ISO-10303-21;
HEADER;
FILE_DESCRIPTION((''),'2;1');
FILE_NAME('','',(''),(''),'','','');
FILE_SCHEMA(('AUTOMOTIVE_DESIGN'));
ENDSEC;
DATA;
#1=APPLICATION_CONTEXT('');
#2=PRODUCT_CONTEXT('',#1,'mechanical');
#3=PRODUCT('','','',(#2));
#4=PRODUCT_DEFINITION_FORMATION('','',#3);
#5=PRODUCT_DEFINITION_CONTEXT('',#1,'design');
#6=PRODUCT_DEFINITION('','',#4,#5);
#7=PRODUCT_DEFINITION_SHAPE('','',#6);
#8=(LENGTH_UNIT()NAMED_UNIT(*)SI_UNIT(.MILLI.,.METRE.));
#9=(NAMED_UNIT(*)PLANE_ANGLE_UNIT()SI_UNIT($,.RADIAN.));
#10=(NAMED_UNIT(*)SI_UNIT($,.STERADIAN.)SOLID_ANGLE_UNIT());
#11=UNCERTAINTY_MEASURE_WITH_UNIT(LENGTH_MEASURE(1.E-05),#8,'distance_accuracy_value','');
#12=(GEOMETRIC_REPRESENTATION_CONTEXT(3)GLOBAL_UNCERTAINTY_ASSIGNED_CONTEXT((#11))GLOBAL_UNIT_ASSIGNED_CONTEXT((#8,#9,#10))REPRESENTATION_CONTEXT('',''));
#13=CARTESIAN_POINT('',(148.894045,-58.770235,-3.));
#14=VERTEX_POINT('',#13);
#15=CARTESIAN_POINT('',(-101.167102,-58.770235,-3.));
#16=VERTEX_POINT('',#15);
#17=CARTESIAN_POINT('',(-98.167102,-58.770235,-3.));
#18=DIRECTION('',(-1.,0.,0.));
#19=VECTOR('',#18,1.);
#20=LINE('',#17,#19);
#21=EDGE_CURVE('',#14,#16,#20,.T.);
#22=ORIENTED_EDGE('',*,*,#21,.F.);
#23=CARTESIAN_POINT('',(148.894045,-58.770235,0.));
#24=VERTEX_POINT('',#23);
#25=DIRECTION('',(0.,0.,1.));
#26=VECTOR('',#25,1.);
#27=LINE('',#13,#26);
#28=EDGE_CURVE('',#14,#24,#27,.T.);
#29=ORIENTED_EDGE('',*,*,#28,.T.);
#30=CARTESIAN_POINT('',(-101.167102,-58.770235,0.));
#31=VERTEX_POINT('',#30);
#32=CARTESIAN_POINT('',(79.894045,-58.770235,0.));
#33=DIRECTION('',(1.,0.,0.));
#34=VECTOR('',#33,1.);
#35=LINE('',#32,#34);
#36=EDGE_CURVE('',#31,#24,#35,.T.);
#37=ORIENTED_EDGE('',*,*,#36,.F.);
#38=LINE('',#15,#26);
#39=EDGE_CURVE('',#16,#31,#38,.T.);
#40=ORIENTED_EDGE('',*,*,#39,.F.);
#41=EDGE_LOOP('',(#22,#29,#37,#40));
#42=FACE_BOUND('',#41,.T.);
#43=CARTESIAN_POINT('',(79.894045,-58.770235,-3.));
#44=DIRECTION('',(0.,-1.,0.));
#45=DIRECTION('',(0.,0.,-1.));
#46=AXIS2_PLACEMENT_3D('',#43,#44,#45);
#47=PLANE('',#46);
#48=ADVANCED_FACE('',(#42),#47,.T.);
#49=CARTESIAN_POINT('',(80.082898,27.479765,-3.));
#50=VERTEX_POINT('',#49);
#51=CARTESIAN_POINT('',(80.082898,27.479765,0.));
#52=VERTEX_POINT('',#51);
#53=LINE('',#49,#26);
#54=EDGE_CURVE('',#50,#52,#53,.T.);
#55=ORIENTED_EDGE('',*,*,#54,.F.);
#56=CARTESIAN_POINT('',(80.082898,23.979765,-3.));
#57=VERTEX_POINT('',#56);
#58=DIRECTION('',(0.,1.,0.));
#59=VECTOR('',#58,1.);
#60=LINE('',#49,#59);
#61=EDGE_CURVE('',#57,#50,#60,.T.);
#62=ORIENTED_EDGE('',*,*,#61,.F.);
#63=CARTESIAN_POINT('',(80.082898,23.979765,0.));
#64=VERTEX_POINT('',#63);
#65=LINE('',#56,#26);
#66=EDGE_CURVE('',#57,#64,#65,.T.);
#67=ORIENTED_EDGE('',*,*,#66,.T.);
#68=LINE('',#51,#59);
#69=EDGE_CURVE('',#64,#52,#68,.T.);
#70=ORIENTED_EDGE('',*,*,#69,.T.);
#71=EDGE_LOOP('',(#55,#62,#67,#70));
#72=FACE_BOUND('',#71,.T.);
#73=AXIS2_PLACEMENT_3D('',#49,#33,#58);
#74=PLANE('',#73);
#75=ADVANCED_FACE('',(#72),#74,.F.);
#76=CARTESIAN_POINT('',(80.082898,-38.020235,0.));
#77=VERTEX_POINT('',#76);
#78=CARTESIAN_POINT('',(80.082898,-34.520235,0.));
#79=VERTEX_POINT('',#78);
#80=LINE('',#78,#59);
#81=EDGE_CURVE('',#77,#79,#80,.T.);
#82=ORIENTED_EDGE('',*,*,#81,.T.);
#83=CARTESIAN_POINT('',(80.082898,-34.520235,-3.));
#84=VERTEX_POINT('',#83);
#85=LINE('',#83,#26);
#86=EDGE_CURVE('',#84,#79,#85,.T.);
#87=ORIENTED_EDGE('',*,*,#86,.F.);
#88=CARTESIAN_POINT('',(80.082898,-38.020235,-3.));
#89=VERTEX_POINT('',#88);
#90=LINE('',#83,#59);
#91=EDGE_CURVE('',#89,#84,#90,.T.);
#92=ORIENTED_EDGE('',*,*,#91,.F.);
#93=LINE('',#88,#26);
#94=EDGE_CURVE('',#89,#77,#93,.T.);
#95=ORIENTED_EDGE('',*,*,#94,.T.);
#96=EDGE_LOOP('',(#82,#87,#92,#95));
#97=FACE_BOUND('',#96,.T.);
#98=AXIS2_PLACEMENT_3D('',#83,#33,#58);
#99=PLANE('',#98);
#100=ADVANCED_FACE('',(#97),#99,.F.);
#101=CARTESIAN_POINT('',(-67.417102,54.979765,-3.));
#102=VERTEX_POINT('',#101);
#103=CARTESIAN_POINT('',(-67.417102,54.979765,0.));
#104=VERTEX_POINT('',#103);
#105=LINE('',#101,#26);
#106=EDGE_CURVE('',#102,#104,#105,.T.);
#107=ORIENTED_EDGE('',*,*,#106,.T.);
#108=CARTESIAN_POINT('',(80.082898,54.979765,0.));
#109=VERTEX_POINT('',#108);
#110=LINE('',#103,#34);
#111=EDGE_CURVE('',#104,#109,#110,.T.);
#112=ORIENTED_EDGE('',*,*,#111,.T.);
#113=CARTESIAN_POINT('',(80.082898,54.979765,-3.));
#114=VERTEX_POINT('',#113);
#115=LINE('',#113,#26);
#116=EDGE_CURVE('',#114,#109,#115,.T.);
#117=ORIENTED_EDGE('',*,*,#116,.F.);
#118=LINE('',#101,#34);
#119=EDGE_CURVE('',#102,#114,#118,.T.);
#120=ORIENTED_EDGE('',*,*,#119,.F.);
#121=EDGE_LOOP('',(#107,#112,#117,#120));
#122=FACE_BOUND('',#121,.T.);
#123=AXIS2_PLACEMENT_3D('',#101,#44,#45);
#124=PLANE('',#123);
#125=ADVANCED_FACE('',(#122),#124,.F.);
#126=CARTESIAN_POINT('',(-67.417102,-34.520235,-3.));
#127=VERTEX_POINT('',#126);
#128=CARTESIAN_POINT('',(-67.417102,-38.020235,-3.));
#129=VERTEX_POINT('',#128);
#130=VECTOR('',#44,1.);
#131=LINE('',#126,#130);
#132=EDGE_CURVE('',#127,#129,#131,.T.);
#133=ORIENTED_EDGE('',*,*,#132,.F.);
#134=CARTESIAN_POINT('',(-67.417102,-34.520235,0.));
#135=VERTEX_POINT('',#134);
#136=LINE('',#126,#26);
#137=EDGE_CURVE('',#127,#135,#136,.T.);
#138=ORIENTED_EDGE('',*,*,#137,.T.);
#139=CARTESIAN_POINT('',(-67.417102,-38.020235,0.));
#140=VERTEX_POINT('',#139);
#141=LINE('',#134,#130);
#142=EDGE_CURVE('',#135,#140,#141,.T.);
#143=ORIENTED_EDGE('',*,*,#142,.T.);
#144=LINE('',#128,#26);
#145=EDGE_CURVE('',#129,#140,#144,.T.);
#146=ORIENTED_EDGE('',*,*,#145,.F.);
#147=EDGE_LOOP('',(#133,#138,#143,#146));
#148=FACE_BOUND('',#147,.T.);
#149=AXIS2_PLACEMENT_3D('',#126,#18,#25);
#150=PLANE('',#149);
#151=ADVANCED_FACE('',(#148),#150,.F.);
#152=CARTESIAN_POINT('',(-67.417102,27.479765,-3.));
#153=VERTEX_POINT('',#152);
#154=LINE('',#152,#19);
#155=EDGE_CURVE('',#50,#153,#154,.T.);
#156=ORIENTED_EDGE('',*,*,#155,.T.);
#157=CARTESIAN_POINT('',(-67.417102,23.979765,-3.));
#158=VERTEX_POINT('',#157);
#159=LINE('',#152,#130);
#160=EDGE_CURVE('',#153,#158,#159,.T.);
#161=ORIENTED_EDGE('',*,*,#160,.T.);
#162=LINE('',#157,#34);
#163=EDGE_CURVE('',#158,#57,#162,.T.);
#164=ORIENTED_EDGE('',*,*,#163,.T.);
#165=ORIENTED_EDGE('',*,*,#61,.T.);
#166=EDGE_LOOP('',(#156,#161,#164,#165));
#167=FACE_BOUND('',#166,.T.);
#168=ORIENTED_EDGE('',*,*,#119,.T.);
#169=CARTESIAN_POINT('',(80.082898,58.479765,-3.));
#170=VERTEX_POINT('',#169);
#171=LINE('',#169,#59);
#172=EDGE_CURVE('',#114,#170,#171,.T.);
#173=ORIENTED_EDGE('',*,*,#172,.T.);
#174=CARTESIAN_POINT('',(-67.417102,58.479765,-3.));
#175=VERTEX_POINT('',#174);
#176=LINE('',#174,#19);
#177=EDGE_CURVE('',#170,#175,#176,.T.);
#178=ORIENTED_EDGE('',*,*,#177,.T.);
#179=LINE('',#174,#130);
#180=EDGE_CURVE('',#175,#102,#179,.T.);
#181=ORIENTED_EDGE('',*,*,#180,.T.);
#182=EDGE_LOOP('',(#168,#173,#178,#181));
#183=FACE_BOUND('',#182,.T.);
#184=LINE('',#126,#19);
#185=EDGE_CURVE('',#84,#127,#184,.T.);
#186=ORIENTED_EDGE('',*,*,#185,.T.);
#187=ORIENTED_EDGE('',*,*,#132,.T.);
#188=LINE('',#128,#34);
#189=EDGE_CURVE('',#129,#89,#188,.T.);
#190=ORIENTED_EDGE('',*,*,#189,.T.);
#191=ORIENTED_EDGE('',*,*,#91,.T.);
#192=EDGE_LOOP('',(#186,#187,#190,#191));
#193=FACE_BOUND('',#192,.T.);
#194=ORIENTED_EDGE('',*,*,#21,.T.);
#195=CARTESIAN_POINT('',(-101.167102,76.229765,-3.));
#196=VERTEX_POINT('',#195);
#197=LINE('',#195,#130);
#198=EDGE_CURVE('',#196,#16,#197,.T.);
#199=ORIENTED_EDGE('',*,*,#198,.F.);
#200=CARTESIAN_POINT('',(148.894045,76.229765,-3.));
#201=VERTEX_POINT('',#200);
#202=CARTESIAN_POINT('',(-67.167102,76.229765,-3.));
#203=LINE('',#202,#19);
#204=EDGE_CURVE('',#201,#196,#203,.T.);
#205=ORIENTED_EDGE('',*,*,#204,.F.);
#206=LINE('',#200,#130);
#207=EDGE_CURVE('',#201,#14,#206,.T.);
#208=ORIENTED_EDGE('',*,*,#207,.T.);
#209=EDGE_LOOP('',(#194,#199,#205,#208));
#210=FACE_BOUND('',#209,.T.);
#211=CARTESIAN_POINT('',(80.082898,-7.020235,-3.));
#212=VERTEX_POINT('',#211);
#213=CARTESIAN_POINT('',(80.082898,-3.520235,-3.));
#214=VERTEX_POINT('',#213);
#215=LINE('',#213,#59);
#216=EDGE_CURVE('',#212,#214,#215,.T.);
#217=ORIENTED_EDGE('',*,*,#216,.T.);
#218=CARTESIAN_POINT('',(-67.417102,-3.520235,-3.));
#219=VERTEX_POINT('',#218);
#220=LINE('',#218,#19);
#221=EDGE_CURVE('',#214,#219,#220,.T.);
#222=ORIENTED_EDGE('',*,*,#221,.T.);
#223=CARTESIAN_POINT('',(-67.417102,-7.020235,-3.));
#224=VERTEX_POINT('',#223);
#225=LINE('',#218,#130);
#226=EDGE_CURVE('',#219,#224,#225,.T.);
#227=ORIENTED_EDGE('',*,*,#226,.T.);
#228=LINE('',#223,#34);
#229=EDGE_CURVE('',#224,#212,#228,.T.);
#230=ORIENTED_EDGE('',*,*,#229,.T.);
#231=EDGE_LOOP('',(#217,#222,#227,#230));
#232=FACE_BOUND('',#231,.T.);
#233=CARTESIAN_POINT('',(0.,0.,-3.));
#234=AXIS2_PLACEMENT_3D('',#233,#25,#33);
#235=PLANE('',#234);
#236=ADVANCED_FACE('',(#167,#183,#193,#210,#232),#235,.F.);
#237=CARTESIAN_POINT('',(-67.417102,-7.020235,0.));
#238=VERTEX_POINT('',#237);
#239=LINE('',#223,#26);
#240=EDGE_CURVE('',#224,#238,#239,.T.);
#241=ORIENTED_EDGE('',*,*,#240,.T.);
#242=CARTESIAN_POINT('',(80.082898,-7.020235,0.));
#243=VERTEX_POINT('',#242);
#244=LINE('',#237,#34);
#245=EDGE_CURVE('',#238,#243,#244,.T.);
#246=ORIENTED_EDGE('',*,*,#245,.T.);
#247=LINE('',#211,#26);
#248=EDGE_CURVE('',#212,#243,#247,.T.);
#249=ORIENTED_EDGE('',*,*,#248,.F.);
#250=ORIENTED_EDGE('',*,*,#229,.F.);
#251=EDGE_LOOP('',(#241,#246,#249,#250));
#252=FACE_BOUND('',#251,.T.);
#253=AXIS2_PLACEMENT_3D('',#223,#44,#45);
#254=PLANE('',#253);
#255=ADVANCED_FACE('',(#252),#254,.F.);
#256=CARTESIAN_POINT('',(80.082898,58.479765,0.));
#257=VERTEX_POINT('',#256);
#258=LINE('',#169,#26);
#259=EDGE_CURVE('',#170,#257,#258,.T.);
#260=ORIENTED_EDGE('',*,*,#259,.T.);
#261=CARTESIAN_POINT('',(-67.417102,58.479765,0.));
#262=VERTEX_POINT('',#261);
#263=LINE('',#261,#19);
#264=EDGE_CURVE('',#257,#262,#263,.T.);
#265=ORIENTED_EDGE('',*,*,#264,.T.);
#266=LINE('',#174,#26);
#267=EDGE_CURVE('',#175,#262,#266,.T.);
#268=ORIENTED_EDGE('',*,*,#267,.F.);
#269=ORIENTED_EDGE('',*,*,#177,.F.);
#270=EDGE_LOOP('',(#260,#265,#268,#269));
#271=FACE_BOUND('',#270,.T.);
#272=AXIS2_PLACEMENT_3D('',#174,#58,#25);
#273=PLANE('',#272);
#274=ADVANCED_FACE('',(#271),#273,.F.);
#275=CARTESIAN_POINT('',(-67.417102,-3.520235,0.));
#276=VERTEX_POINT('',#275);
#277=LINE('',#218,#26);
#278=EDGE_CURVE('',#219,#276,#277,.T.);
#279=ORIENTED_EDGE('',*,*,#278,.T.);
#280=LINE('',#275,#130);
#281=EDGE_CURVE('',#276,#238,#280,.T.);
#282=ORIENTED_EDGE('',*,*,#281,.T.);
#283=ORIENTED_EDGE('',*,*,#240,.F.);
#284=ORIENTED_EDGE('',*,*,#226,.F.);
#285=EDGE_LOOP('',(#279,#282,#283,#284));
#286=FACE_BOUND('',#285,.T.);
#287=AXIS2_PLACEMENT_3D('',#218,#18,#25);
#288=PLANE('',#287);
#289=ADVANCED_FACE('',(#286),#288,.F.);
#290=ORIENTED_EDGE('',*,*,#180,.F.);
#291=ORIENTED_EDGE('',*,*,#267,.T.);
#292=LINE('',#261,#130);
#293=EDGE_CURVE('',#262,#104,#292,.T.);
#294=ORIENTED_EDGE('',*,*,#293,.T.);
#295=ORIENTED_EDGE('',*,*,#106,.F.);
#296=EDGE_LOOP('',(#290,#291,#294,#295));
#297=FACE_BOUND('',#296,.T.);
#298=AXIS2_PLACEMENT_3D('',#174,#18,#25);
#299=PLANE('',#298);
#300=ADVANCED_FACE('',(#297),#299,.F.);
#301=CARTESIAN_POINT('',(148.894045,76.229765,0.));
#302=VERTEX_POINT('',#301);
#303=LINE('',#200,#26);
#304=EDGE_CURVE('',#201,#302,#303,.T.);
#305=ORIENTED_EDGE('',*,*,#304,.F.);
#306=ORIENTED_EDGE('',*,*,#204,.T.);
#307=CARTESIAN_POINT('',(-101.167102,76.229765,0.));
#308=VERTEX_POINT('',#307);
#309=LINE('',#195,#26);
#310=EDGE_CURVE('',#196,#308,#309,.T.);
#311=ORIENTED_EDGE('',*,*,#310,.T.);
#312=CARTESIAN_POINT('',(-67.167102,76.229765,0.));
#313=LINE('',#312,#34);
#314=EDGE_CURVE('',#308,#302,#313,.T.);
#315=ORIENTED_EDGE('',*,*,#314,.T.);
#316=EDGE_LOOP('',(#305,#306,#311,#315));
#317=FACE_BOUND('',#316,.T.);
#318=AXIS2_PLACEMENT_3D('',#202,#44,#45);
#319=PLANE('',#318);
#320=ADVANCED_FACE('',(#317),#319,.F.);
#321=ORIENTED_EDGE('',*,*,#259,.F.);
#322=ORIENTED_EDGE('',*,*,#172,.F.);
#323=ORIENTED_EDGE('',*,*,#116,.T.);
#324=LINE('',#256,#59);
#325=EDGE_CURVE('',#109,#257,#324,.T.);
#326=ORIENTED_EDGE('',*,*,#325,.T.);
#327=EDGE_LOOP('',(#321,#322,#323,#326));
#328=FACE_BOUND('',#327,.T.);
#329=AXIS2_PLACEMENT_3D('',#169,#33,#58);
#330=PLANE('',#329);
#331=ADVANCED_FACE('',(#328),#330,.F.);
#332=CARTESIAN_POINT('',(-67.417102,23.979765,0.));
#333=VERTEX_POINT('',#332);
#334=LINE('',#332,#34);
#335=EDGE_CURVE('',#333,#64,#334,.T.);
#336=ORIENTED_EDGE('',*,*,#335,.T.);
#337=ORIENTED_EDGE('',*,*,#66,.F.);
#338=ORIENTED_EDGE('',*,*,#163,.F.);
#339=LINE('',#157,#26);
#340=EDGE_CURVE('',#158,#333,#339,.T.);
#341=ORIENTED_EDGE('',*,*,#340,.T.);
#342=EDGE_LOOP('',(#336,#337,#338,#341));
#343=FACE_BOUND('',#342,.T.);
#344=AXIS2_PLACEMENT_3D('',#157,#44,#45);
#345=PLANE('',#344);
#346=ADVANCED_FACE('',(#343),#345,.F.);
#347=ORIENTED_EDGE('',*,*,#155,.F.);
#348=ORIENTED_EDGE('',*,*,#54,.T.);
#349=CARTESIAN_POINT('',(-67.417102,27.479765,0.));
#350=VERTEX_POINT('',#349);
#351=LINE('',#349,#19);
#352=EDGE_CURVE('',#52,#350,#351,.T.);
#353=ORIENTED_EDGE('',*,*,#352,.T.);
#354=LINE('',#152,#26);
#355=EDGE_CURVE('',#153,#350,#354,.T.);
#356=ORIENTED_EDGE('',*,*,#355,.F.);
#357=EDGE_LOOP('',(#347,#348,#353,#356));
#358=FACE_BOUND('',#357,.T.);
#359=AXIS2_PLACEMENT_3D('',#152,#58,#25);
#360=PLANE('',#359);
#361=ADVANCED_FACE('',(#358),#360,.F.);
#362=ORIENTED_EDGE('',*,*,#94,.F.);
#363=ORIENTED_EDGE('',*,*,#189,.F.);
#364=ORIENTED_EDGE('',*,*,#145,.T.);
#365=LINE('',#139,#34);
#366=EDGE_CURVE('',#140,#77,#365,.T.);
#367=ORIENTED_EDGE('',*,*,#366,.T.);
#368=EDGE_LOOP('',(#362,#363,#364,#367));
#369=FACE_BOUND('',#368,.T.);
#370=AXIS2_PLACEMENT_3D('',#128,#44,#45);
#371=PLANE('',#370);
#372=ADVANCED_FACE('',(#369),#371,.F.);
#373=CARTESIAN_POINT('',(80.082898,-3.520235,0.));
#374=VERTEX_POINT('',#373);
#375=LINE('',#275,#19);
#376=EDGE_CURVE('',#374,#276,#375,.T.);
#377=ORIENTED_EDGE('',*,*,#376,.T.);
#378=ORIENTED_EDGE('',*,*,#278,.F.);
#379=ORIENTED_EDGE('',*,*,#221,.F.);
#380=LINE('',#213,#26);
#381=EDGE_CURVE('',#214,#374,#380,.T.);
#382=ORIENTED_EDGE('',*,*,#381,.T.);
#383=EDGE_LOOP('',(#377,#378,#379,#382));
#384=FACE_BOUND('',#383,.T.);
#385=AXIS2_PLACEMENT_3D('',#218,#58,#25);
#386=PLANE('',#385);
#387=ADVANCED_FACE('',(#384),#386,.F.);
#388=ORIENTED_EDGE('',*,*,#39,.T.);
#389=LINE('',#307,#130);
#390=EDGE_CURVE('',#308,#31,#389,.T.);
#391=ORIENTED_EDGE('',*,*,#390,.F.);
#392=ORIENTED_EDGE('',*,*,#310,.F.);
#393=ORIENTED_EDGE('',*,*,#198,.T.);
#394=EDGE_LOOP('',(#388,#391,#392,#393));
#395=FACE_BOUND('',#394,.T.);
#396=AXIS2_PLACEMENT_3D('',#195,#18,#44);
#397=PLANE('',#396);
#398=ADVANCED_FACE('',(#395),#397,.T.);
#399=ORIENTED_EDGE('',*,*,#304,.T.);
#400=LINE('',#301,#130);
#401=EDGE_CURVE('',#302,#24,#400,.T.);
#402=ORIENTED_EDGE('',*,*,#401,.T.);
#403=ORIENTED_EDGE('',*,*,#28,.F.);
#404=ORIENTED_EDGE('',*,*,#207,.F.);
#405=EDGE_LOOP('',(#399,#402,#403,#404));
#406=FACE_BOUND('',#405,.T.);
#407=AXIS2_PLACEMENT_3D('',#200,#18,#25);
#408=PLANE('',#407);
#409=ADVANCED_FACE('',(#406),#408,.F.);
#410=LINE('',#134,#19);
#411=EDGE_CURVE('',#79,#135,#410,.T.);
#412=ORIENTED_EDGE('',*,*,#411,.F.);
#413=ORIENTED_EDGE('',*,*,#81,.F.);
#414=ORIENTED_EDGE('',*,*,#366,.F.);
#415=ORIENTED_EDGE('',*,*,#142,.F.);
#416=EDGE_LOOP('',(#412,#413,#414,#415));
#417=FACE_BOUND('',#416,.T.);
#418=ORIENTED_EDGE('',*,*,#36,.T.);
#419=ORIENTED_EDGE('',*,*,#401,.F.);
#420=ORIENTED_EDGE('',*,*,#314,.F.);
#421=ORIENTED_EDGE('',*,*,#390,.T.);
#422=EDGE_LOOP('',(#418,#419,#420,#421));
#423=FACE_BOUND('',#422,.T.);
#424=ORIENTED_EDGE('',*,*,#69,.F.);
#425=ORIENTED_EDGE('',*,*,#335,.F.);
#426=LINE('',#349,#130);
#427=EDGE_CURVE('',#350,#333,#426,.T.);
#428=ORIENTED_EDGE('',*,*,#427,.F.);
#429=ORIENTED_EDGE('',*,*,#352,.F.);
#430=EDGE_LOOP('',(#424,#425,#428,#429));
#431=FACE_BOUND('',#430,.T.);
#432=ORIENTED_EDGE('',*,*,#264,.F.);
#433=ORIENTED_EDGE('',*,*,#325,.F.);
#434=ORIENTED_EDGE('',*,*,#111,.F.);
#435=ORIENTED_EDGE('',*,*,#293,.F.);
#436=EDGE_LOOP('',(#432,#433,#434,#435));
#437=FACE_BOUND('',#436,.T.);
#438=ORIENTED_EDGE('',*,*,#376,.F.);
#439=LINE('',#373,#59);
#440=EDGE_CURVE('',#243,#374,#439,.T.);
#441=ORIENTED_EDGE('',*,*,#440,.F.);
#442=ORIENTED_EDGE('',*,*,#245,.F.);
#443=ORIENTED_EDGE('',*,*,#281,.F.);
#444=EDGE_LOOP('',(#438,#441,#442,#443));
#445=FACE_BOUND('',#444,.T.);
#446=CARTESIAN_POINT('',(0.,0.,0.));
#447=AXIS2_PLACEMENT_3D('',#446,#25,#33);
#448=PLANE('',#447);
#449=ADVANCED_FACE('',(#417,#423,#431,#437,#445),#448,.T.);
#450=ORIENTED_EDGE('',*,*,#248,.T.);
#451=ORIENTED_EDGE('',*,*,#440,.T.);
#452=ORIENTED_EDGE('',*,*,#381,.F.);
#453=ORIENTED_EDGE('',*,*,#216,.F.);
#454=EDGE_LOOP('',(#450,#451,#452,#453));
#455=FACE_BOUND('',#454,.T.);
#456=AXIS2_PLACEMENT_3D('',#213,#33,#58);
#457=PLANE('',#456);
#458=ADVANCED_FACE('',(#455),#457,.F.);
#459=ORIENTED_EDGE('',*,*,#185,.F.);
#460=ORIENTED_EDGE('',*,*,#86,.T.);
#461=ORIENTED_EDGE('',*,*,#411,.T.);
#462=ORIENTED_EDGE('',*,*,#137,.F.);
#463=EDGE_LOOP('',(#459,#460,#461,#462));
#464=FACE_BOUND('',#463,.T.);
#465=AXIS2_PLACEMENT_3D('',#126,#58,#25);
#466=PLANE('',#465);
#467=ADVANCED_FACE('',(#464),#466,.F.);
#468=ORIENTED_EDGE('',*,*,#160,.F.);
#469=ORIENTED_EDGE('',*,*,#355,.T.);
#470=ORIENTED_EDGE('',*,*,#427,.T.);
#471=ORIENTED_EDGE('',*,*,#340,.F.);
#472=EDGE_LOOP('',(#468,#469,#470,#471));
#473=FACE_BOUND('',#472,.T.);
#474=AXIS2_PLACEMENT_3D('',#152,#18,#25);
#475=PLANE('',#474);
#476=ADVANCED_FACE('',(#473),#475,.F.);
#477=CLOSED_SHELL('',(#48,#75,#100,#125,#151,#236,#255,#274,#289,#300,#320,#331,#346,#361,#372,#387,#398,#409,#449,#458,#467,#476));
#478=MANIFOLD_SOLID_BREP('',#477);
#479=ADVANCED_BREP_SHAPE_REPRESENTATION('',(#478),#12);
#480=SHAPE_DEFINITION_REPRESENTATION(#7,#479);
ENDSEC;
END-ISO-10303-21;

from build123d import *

# Parameters (mm, degrees)
BOSS_EXTRUDE1_DEPTH = 3
SKETCH3_W           = 147.5
SKETCH3_H           = 3.5
SKETCH3_W_2         = 147
SKETCH3_H_2         = 3
CUT_EXTRUDE2_DEPTH  = 3


with BuildPart() as part:
    # Sketch1 → Boss-Extrude1 (new body)
    with BuildSketch(Plane.XY):
        Polygon((79.894045329, 76.229765013), (148.894045329, 76.229765013), (148.894045329, -58.770234987), (79.894045329, -58.770234987), (-67.167101828, -58.770234987), (-72.167101828, -58.770234987), (-98.167101828, -58.770234987), (-101.167101828, -58.770234987), (-101.167101828, 76.229765013), (-98.167101828, 76.229765013), (-72.167101828, 76.229765013), (-67.167101828, 76.229765013), align=None)
    extrude(amount=-BOSS_EXTRUDE1_DEPTH)

    # Sketch3 → Cut-Extrude2 (cut)
    # profile 1 of 4: a face of its own
    with BuildSketch(Plane.XY):
        with Locations((6.332898172, 56.729765013)):
            Rectangle(SKETCH3_W, SKETCH3_H)
        with Locations((6.332898172, 56.729765013)):
            Rectangle(SKETCH3_W_2, SKETCH3_H_2, mode=Mode.SUBTRACT)
    # profile 2 of 4: a face of its own
    with BuildSketch(Plane.XY):
        with Locations((6.332898172, 25.729765013)):
            Rectangle(SKETCH3_W, SKETCH3_H)
        with Locations((6.332898172, 25.729765013)):
            Rectangle(SKETCH3_W_2, SKETCH3_H_2, mode=Mode.SUBTRACT)
    # profile 3 of 4: a face of its own
    with BuildSketch(Plane.XY):
        with Locations((6.332898172, -5.270234987)):
            Rectangle(SKETCH3_W, SKETCH3_H)
        with Locations((6.332898172, -5.270234987)):
            Rectangle(SKETCH3_W_2, SKETCH3_H_2, mode=Mode.SUBTRACT)
    # profile 4 of 4: a face of its own
    with BuildSketch(Plane.XY):
        with Locations((6.332898172, -36.270234987)):
            Rectangle(SKETCH3_W, SKETCH3_H)
        with Locations((6.332898172, -36.270234987)):
            Rectangle(SKETCH3_W_2, SKETCH3_H_2, mode=Mode.SUBTRACT)
    extrude(amount=-CUT_EXTRUDE2_DEPTH, mode=Mode.SUBTRACT)


with BuildPart() as body_2:
    # of the pieces the cut leaves, the one that is kept (cut_extrude2_keep)
    add(part.part.solids().sort_by_distance((148.894045329, 76.229765013, 0))[0])


solid = body_2.part
